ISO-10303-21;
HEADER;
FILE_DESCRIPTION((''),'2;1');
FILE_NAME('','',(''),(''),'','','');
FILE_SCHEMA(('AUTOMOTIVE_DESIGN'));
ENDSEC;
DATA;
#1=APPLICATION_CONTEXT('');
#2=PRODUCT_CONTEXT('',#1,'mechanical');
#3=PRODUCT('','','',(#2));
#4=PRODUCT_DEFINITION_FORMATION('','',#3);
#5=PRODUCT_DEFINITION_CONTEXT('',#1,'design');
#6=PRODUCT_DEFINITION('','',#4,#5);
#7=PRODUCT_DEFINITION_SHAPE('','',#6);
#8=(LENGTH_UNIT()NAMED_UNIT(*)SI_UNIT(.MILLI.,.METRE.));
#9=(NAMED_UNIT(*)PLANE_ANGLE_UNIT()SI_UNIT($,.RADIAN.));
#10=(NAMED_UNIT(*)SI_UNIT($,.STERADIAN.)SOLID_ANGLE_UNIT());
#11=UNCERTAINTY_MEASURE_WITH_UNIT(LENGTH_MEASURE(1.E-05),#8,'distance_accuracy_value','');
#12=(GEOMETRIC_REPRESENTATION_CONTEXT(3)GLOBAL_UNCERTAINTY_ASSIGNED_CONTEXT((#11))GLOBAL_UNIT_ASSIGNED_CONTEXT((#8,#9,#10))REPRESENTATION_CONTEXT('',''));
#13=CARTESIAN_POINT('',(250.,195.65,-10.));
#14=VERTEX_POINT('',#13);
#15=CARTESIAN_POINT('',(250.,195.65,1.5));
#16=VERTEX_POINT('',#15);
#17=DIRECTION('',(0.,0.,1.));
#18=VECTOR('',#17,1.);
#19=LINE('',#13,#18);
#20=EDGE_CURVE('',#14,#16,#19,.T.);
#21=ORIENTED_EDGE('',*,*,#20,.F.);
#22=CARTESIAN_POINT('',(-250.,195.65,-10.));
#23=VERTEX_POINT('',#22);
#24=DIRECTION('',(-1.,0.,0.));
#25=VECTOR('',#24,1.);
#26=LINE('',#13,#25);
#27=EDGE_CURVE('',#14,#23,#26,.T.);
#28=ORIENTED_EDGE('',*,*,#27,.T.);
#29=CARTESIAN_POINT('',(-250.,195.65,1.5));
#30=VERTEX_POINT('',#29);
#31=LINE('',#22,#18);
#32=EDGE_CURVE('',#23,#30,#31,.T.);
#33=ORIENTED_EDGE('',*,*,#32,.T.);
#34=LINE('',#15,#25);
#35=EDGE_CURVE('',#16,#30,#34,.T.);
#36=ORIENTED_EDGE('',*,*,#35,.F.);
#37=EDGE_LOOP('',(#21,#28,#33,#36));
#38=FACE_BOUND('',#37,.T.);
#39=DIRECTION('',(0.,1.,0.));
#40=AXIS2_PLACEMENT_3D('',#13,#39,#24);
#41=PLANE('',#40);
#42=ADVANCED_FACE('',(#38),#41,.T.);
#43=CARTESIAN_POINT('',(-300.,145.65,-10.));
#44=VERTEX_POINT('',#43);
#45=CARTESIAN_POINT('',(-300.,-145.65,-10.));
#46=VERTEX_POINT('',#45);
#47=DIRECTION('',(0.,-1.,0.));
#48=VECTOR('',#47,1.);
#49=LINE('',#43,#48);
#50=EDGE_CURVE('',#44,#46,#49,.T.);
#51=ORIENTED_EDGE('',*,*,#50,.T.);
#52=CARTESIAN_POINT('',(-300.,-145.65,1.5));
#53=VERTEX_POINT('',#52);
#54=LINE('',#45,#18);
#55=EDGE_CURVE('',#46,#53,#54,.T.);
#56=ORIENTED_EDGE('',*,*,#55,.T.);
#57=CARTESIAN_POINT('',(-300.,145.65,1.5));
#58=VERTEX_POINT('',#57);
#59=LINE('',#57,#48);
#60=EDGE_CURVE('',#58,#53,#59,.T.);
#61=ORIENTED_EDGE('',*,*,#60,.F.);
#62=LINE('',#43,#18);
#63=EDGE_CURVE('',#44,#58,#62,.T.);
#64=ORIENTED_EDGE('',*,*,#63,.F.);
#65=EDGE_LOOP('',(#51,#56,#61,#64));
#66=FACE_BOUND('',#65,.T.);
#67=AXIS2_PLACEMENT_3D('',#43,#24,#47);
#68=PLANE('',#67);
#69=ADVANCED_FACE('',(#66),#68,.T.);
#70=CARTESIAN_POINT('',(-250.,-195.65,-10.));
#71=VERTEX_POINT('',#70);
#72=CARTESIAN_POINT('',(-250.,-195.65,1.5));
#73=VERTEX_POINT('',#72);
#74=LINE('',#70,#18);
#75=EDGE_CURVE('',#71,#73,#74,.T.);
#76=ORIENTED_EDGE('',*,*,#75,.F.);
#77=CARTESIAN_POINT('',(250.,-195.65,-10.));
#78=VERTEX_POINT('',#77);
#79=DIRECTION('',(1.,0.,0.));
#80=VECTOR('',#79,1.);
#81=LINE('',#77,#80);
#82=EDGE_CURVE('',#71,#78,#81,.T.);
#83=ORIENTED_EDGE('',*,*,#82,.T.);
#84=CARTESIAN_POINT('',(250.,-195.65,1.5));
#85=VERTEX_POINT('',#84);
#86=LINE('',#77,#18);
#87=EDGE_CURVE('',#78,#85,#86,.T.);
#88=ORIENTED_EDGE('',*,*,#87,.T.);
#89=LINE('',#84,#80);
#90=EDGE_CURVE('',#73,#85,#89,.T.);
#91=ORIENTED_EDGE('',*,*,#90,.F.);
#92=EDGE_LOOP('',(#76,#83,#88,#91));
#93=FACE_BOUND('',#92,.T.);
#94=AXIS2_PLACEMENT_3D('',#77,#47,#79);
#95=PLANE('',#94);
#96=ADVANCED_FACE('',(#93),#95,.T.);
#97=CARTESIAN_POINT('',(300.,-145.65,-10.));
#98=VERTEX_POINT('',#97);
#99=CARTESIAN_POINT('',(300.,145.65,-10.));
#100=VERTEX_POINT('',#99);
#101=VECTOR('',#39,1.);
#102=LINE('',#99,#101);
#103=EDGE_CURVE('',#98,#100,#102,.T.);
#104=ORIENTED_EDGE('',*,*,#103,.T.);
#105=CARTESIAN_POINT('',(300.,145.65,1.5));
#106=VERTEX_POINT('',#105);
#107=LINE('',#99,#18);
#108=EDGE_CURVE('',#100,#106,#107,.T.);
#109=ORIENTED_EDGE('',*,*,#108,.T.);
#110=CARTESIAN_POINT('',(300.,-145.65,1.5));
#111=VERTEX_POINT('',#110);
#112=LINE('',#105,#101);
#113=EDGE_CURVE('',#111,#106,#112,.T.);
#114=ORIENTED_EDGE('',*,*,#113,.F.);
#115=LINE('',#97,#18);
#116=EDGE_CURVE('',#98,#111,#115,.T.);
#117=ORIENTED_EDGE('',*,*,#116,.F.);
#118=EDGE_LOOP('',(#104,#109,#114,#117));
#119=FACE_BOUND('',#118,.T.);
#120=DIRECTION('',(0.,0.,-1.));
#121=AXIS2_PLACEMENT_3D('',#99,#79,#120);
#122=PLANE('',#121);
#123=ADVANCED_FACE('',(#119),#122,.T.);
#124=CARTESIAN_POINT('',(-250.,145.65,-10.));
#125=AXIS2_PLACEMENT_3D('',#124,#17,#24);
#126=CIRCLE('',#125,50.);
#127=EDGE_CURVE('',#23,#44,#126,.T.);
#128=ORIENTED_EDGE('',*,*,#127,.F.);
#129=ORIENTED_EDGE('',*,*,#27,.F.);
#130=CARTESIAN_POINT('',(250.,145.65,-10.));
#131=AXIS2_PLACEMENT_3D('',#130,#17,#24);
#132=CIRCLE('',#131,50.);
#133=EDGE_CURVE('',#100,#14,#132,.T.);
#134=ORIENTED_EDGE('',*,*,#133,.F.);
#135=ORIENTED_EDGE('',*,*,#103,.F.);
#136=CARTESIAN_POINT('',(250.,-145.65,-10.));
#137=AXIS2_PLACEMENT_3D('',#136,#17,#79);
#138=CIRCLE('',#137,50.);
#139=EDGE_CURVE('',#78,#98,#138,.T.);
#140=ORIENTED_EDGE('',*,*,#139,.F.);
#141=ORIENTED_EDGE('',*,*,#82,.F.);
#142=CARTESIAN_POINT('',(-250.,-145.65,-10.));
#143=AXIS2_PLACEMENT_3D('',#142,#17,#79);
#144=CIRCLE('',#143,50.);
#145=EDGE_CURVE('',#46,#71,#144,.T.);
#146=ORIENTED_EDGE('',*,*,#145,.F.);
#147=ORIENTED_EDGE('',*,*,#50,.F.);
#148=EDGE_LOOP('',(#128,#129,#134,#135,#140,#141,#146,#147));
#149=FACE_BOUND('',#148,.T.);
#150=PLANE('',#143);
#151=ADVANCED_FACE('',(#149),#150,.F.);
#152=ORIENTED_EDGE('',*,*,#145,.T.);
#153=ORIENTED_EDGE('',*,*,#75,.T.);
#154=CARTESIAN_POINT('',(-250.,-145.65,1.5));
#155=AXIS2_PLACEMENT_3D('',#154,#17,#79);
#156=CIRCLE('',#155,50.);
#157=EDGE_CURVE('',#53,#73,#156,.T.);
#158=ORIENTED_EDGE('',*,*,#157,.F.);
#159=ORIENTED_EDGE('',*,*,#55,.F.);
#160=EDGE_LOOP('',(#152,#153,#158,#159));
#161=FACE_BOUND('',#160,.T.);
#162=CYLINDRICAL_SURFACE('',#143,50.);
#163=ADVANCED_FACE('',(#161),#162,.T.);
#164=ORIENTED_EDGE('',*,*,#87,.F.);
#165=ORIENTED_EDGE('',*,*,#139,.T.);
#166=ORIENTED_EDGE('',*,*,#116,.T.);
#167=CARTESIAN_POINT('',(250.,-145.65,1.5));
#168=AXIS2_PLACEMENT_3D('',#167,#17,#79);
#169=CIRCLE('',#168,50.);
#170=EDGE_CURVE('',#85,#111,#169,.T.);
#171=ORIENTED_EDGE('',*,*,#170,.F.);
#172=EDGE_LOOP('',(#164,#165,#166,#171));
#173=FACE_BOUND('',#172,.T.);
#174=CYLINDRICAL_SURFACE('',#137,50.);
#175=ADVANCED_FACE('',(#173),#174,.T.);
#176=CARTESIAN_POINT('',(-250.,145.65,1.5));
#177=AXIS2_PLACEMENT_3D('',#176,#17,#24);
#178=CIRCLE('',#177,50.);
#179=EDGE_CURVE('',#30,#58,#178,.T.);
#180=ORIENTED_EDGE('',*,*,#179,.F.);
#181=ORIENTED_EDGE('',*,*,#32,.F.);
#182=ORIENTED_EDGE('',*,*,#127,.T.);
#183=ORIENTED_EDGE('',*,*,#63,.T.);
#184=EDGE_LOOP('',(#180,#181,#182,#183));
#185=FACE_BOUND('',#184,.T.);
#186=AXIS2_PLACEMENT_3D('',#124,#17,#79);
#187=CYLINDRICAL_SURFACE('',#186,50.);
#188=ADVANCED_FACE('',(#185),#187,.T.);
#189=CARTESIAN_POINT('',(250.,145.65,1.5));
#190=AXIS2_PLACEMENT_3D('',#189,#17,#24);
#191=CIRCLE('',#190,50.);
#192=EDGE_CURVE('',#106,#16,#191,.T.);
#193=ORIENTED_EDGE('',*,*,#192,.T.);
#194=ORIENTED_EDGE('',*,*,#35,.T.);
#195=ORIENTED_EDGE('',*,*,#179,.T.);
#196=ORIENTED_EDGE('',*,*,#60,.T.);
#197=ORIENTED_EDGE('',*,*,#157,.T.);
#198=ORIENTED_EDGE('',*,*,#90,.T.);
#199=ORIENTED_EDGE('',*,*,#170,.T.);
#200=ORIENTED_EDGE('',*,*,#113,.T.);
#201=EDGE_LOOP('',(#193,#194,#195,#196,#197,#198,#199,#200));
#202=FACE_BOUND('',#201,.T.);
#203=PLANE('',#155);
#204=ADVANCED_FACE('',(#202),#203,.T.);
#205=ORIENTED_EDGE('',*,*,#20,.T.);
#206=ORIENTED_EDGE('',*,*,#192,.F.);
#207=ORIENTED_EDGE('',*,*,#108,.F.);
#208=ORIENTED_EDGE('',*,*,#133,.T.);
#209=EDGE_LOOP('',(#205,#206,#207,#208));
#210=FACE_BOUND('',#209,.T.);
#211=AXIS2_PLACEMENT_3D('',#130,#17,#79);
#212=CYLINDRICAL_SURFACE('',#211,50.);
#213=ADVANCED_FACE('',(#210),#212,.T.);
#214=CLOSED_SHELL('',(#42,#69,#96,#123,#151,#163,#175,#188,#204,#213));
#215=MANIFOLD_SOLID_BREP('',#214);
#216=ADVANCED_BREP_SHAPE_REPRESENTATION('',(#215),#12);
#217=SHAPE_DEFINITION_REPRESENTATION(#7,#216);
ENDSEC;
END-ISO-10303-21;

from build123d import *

# Parameters (mm, degrees)
BOSS_EXTRUDE1_DEPTH      = 1.5
BOSS_EXTRUDE1_DEPTH_BACK = 10


with BuildPart() as part:
    # Sketch1 → Boss-Extrude1 (new, two sides: drawn at the far end of the back side and taken through both)
    with BuildSketch(Plane.XY.offset(-BOSS_EXTRUDE1_DEPTH_BACK)):
        with BuildLine():
            Line((250, 195.65), (-250, 195.65))
            ThreePointArc((-250, 195.65), (-285.355339059, 181.005339059), (-300, 145.65))
            Line((-300, 145.65), (-300, -145.65))
            ThreePointArc((-300, -145.65), (-285.355339059, -181.005339059), (-250, -195.65))
            Line((-250, -195.65), (250, -195.65))
            ThreePointArc((250, -195.65), (285.355339059, -181.005339059), (300, -145.65))
            Line((300, -145.65), (300, 145.65))
            ThreePointArc((300, 145.65), (285.355339059, 181.005339059), (250, 195.65))
        make_face()
    extrude(amount=BOSS_EXTRUDE1_DEPTH + BOSS_EXTRUDE1_DEPTH_BACK)


solid = part.part
